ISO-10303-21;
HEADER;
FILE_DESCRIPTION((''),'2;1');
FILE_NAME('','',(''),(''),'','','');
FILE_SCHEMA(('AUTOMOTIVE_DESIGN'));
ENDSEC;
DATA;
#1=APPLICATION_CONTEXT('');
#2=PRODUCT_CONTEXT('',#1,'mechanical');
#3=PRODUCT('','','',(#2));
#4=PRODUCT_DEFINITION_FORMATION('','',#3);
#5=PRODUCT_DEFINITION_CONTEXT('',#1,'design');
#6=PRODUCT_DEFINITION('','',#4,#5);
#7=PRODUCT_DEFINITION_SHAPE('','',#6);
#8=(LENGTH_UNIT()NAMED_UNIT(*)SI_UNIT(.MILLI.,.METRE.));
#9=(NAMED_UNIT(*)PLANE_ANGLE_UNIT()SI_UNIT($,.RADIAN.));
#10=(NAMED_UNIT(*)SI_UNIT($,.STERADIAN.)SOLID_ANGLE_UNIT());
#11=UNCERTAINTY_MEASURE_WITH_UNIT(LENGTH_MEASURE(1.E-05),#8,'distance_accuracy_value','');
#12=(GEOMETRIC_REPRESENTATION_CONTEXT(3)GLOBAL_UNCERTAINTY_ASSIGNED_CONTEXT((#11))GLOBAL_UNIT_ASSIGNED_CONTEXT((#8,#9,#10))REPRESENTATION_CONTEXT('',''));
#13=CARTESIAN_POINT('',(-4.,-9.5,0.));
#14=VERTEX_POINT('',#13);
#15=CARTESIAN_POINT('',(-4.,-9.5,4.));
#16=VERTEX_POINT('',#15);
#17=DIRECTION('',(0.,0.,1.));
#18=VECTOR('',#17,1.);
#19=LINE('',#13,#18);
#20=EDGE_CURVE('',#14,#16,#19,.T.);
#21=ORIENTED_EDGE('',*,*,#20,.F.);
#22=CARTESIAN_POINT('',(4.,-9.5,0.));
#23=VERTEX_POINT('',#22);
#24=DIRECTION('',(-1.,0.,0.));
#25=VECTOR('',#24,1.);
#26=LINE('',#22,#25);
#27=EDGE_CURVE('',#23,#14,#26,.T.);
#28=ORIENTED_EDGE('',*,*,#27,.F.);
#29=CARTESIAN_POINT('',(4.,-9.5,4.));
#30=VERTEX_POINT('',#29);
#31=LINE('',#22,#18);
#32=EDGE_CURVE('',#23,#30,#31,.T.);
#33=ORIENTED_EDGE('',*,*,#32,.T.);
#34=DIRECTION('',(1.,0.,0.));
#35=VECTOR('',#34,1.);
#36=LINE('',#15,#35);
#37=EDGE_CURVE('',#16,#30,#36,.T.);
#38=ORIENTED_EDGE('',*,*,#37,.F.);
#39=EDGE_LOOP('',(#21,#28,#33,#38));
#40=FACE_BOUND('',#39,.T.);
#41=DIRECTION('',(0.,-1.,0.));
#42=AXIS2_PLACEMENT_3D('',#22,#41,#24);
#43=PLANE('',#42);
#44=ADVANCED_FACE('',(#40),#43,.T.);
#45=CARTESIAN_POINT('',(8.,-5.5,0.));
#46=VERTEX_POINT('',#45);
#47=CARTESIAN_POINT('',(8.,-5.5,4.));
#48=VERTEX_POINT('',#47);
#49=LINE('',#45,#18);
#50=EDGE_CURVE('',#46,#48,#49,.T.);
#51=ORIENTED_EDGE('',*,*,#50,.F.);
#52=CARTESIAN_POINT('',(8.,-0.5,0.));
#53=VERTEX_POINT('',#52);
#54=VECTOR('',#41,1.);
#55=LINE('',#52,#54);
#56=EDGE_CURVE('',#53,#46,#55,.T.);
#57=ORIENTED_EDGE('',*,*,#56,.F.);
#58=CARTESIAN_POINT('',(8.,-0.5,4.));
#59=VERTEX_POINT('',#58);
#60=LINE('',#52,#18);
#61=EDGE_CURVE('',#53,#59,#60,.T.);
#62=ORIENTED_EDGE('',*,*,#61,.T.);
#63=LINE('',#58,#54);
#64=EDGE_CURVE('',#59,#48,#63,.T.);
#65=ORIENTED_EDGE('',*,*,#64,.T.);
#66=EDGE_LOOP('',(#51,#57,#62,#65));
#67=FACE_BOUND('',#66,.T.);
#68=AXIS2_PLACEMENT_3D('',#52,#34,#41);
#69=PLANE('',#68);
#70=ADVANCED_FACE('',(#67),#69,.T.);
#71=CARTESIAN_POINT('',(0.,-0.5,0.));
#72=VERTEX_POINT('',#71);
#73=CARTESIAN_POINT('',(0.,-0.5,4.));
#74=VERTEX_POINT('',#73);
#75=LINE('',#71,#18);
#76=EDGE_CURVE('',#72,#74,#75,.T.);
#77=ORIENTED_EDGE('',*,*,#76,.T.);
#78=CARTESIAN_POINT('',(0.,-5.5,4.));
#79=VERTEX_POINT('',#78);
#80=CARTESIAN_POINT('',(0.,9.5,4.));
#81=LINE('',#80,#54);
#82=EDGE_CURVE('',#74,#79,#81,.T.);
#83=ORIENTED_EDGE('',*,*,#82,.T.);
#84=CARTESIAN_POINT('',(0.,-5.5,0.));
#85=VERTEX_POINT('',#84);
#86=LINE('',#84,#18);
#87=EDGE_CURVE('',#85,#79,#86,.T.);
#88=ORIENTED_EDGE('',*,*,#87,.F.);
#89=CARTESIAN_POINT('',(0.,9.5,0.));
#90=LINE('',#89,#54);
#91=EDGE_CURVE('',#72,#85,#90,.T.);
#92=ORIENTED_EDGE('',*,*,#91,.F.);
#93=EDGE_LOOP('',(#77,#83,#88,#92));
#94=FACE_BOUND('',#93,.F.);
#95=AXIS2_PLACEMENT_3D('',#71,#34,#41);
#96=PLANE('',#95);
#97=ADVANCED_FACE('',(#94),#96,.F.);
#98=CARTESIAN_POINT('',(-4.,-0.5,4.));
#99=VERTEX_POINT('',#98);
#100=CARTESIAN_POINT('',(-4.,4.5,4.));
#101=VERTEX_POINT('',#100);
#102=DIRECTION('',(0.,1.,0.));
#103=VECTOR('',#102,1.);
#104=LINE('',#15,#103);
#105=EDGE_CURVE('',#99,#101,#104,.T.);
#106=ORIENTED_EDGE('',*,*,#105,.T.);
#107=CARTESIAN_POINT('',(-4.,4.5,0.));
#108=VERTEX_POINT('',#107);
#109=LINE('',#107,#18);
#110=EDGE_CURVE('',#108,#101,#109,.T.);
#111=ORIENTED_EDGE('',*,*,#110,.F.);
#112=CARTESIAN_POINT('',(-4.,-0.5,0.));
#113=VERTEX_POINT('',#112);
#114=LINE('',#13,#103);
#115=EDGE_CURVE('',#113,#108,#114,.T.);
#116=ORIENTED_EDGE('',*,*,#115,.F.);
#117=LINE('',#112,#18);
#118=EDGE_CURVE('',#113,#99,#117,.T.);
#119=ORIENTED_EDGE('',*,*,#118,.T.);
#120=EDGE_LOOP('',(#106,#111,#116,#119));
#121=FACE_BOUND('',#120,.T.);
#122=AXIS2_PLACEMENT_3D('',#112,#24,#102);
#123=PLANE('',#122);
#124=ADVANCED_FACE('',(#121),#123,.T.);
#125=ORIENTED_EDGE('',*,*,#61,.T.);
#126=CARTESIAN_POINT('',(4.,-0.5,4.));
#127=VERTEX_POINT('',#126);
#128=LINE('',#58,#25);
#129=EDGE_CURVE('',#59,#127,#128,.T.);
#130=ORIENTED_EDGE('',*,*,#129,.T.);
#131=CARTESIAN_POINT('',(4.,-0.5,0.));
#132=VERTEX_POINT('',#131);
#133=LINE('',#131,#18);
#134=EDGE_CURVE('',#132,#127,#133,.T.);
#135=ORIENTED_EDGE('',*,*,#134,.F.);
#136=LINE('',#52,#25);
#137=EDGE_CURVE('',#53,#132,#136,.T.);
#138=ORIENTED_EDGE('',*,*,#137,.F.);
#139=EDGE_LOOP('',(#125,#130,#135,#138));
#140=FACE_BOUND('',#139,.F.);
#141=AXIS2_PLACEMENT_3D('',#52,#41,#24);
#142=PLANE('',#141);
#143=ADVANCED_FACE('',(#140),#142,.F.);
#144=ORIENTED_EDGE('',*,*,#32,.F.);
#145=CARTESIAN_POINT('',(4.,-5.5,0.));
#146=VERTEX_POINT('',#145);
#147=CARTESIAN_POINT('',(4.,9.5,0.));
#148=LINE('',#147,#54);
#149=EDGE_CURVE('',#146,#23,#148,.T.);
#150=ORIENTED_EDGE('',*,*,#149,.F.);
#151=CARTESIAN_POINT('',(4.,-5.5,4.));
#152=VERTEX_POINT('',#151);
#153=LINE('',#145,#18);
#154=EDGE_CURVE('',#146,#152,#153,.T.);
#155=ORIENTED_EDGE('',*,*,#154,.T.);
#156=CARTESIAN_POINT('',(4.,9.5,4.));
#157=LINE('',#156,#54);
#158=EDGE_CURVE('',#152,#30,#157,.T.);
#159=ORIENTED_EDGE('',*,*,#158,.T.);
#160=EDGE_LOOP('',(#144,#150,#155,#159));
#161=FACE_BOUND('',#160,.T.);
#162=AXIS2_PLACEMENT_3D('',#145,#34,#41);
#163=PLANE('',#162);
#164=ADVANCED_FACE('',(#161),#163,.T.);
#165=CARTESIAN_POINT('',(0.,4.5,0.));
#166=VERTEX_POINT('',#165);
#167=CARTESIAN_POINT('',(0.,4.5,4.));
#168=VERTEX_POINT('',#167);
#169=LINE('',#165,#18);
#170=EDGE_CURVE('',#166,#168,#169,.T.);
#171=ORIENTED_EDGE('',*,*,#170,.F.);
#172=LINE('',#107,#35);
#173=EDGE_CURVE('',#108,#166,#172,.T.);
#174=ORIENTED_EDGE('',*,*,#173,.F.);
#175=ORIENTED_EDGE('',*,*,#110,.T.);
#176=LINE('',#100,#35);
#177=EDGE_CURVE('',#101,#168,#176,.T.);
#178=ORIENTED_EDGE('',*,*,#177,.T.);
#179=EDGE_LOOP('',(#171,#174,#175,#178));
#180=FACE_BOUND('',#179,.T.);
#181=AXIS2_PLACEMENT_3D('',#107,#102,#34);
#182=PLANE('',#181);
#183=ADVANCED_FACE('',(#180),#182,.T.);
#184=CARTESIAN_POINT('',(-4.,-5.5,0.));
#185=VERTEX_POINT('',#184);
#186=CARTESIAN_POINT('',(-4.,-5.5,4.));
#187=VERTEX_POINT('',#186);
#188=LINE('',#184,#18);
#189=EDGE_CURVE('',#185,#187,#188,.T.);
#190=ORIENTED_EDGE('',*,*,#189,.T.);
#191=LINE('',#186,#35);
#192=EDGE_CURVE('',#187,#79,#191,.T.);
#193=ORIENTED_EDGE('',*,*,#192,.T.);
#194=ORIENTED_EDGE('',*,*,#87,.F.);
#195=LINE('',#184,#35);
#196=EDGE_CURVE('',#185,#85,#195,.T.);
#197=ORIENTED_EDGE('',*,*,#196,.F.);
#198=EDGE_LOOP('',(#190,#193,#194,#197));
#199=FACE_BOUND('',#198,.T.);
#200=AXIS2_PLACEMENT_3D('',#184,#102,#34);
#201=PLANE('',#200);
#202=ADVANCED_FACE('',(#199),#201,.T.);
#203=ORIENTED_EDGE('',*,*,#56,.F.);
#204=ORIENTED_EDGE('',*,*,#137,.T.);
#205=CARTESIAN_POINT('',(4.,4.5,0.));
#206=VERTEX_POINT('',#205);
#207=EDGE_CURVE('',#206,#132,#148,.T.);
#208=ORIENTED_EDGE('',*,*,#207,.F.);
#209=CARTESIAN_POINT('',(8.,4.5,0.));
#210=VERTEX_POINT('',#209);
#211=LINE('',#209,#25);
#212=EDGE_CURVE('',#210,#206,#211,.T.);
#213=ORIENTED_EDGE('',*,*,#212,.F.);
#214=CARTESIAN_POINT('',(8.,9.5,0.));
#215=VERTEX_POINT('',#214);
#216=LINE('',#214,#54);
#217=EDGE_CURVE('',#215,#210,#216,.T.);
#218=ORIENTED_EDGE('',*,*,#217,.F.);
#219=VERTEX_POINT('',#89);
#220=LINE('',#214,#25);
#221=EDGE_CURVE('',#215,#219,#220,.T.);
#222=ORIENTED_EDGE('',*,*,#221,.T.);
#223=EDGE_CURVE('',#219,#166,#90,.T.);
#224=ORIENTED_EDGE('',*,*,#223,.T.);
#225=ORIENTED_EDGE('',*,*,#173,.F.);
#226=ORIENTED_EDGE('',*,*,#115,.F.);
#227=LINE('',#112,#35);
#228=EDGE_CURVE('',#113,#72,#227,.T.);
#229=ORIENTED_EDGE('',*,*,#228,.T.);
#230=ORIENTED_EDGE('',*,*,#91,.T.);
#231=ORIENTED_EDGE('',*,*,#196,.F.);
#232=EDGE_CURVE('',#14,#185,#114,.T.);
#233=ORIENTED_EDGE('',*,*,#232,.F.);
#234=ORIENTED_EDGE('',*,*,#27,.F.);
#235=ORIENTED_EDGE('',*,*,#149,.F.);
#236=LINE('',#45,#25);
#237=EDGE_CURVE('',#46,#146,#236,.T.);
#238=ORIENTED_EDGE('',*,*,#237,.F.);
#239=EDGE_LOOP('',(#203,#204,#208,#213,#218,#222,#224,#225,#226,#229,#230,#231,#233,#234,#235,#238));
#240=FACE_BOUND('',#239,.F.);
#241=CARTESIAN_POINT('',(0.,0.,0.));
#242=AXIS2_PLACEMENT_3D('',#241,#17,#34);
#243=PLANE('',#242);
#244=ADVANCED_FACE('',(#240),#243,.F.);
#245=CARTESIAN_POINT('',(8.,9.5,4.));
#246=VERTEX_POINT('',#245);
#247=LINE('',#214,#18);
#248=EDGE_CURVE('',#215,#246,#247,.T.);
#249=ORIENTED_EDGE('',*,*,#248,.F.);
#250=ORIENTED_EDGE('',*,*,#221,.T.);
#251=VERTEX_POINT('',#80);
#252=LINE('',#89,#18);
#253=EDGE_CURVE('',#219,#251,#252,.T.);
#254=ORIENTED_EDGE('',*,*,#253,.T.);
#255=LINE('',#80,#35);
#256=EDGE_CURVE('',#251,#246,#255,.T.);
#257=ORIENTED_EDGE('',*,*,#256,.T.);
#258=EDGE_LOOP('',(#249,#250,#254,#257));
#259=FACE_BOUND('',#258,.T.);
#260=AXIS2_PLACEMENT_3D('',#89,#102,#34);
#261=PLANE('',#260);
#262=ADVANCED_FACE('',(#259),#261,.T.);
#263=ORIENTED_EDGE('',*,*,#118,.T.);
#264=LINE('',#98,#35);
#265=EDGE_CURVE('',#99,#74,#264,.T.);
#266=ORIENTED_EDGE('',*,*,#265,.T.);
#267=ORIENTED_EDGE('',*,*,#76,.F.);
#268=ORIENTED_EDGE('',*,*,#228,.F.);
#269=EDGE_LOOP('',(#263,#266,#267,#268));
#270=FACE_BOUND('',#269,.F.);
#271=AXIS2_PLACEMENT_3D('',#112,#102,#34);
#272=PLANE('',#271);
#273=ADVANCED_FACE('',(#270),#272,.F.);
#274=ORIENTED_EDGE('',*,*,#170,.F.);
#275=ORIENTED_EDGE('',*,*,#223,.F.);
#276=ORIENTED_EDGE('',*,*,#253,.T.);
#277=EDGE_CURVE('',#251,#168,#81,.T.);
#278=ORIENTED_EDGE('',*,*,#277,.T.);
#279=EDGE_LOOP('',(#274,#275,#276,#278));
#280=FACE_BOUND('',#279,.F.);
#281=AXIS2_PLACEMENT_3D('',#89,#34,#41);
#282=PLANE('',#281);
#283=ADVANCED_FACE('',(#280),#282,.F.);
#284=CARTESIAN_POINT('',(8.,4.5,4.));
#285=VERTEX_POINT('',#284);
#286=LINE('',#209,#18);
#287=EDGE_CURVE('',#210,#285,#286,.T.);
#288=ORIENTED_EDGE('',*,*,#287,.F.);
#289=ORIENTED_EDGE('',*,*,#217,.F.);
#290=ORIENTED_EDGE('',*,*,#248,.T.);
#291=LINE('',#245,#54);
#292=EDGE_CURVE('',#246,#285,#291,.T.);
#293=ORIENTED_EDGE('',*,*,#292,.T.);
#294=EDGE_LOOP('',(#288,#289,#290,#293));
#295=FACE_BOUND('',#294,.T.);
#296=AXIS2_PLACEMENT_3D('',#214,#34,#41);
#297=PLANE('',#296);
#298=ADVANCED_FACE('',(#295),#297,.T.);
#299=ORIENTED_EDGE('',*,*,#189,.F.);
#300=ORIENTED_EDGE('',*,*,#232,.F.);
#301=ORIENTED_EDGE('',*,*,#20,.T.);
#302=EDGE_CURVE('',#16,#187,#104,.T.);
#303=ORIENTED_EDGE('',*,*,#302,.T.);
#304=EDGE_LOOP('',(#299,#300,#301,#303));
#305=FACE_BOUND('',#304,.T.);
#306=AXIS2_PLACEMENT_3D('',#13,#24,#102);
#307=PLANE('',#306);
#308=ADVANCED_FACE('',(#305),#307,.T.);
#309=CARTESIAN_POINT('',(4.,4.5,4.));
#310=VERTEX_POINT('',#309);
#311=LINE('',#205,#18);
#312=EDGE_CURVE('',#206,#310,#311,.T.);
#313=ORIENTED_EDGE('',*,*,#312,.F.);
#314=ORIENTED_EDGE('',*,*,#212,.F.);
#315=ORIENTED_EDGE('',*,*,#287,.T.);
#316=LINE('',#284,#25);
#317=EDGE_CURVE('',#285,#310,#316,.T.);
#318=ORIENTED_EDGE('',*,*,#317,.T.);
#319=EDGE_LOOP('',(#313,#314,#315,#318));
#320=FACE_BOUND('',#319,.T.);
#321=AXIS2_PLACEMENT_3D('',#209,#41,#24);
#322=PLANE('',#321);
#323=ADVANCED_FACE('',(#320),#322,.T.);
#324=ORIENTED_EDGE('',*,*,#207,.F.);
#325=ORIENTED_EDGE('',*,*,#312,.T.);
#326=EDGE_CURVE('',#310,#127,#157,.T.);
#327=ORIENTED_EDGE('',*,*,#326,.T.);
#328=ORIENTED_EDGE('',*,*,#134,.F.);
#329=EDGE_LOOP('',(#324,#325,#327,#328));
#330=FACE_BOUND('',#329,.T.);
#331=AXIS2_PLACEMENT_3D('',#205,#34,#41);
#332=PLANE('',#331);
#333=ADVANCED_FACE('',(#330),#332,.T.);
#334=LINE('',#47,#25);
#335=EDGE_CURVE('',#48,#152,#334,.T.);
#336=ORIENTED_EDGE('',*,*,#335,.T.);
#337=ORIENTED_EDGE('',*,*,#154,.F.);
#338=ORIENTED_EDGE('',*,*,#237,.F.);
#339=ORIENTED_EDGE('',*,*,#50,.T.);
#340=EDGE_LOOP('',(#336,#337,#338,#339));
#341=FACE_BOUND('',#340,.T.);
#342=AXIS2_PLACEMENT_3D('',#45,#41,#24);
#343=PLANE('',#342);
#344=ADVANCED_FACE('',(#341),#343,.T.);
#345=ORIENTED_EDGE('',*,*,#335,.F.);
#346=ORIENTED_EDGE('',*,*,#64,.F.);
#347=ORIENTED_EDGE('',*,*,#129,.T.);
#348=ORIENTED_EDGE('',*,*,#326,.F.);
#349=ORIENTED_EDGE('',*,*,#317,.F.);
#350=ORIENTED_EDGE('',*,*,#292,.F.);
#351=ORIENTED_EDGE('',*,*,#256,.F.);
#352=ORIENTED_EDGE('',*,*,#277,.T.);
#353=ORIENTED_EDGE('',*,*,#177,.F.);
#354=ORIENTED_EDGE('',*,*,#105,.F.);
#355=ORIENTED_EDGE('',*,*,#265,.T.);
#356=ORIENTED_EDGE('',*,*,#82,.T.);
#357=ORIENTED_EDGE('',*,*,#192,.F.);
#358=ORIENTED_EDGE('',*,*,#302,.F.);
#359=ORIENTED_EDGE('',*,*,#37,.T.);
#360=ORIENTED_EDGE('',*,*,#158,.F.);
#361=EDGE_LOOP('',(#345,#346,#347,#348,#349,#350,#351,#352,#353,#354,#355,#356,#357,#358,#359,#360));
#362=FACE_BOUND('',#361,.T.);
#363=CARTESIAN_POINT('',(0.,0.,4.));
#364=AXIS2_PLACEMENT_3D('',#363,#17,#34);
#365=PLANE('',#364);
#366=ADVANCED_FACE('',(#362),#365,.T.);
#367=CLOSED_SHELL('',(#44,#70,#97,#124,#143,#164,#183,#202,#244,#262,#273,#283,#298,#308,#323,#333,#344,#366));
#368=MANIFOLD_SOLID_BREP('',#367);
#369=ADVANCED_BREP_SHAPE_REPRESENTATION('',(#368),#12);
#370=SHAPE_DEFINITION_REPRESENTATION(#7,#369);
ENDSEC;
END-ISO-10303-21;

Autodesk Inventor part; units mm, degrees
ref_plane "YZ Plane" through (0, 0, 0) normal (1, 0, 0) x (0, 1, 0)
ref_plane "XZ Plane" through (0, 0, 0) normal (0, 1, 0) x (-1, 0, 0)
ref_plane "XY Plane" through (0, 0, 0) normal (0, 0, 1) x (1, 0, 0)
sketch "Sketch1" plane through (0, 0, 0) normal (0, 0, 1) x (1, 0, 0)
  line L0 (-4, 9.5) -> (4, 9.5)
  line L1 (4, 9.5) -> (4, -9.5)
  line L2 (4, -9.5) -> (-4, -9.5)
  line L3 (-4, -9.5) -> (-4, 9.5)
  line L4 (-4, 9.5) -> (4, -9.5) construction
  line L5 (4, 9.5) -> (-4, -9.5) construction
  line L6 (4, 9.5) -> (8, 9.5)
  line L7 (8, 9.5) -> (8, 4.5)
  line L8 (8, 4.5) -> (4, 4.5)
  line L9 (4, 4.5) -> (4, 9.5)
  line L10 (8, -0.5) -> (4, -0.5)
  line L11 (8, 4.5) -> (8, -0.5)
  line L12 (8, -5.5) -> (4, -5.5)
  line L13 (8, -0.5) -> (8, -5.5)
  line L14 (2, 14.112) -> (2, 5.4586)
  line L15 (0, 9.5) -> (0, -9.5)
  line L16 (0, 9.5) -> (-4, 9.5)
  line L17 (-4, 9.5) -> (-4, 4.5)
  line L18 (-4, 4.5) -> (0, 4.5)
  line L19 (-4, -0.5) -> (0, -0.5)
  line L20 (-4, 4.5) -> (-4, -0.5)
  line L21 (-4, -0.5) -> (-4, -9.5)
  line L22 (-4, -5.5) -> (0, -5.5)
  point P0 (0, 0)
  point P1 (0, 4.5)
  point P2 (-4, 4.5)
  point P3 (-4, -0.5)
  point P4 (4, -7)
  point P5 (8, -0.5)
  point P6 (0, 9.5)
  point P7 (8, 4.5)
  point P8 (4, -5.5)
  point P9 (0, -5.5)
  point P10 (-4, -5.5)
  dimension "d0" = 8
  dimension "d1" = 19
  dimension "d2" = 4
  dimension "d3" = 5
  dimension "d6" = 5
  dimension "d11" = 12
  dimension "d12" = 6
extrude "Extrusion1" add sketch "Sketch1" along normal blind 4 contours L0 L1 L2 L15 | L18 L15 L19 L3 | L6 L7 L8 L1 | L22 L15 L2 L3 | L10 L13 L12 L1
sketch "Sketch2" plane through (0, 0, 4) normal (0, 0, 1) x (1, 0, 0)
  line L0 (0, -5.5) -> (-4, -5.5) projected
  line L1 (-4, -5.5) -> (-4, -9.5) projected
  line L2 (-4, -9.5) -> (4, -9.5) projected
  line L3 (4, -9.5) -> (4, -5.5) projected
  line L4 (4, -5.5) -> (8, -5.5) projected
  line L5 (8, -5.5) -> (8, -0.5) projected
  line L6 (8, -0.5) -> (4, -0.5) projected
  line L7 (4, -0.5) -> (4, 4.5) projected
  line L8 (4, 4.5) -> (8, 4.5) projected
  line L9 (8, 4.5) -> (8, 9.5) projected
  line L10 (8, 9.5) -> (0, 9.5) projected
  line L11 (0, 9.5) -> (0, 4.5) projected
  line L12 (0, 4.5) -> (-4, 4.5) projected
  line L13 (-4, 4.5) -> (-4, -0.5) projected
  line L14 (-4, -0.5) -> (0, -0.5) projected
  line L15 (0, -0.5) -> (0, -5.5) projected
  point P0 (0, 0)
equation "\"d1\" = height + e"
equation "\"d2\" = e"
equation "\"d3\" = 0.333333 * height"
equation "\"d6\" = d3"
equation "\"d12\" = 0.5 * d11"
equation "\"d13\" = e"
equation "\"e\" = 4"
equation "\"height\" = 15"
properties part number "wall2" material "MDF Medium Density Fiberboard"
